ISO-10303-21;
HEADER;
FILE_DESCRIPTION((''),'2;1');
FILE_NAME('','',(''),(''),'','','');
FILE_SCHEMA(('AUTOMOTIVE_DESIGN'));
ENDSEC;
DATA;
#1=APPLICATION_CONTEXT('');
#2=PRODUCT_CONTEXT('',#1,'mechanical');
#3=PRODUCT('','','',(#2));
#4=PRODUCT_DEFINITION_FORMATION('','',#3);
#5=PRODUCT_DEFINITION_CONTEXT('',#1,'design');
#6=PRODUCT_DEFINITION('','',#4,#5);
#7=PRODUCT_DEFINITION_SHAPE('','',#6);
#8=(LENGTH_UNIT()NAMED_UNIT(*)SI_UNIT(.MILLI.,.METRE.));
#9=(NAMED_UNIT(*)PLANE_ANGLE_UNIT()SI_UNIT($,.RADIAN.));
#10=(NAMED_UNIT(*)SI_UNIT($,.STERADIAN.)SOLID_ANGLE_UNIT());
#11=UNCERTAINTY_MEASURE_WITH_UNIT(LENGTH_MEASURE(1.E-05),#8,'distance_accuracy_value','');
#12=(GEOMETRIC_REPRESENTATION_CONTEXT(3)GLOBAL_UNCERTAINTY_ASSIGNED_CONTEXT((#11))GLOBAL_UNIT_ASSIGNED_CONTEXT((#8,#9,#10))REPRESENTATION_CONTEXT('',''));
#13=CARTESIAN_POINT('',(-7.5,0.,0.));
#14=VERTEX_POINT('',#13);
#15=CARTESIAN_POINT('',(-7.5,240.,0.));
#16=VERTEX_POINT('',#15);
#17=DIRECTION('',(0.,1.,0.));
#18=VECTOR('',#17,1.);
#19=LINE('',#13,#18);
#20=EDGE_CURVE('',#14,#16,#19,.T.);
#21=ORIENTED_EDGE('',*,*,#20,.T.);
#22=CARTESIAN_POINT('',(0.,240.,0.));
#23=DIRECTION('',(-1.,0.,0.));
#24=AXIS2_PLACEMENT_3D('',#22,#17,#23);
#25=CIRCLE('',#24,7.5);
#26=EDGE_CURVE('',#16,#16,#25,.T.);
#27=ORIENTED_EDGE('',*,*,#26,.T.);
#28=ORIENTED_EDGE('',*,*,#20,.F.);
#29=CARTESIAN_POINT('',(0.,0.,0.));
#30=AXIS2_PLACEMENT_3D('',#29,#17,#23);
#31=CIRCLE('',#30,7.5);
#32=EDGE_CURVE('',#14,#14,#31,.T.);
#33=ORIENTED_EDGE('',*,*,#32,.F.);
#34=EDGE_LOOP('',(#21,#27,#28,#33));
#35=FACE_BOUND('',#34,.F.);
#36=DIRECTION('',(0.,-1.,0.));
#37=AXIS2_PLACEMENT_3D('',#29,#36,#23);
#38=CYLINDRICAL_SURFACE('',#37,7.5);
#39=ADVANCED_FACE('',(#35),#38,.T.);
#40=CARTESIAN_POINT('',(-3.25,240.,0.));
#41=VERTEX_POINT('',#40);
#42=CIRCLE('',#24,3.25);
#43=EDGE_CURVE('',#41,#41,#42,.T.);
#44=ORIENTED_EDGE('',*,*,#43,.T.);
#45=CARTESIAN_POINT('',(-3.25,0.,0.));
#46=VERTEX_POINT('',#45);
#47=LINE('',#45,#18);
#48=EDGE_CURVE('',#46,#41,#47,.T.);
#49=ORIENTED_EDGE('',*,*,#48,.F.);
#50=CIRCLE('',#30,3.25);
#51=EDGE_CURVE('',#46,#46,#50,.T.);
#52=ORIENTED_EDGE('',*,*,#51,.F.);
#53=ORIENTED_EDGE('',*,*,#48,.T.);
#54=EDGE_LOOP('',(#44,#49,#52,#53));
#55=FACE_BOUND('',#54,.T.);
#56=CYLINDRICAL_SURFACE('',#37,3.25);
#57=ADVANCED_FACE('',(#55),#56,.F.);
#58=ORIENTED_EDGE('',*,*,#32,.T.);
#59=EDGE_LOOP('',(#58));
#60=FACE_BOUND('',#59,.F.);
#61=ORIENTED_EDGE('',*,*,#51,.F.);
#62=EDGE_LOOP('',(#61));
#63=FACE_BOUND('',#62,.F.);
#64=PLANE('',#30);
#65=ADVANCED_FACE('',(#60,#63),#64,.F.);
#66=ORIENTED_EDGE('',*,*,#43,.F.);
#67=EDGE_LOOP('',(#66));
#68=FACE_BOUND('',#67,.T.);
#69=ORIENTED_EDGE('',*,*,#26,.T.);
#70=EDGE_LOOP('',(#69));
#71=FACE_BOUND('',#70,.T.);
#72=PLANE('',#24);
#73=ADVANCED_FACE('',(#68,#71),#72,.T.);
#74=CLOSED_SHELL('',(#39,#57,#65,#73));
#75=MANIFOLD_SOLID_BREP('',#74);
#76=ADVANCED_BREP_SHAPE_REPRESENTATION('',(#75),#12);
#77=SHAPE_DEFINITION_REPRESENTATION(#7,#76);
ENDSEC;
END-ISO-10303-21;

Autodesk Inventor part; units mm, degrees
ref_plane "YZ Plane" through (0, 0, 0) normal (1, 0, 0) x (0, 1, 0)
ref_plane "XZ Plane" through (0, 0, 0) normal (0, 1, 0) x (-1, 0, 0)
ref_plane "XY Plane" through (0, 0, 0) normal (0, 0, 1) x (1, 0, 0)
sketch "Sketch1" plane through (0, 0, 0) normal (0, 1, 0) x (-1, 0, 0)
  circle A0 centre (0, 0) radius 3.25
  circle A1 centre (0, 0) radius 7.5
  dimension "d0" = 6.5
  dimension "d1" = 15
extrude "Extrusion1" add sketch "Sketch1" along normal blind 240
properties part number "Axis" material "ABS Plastic"
